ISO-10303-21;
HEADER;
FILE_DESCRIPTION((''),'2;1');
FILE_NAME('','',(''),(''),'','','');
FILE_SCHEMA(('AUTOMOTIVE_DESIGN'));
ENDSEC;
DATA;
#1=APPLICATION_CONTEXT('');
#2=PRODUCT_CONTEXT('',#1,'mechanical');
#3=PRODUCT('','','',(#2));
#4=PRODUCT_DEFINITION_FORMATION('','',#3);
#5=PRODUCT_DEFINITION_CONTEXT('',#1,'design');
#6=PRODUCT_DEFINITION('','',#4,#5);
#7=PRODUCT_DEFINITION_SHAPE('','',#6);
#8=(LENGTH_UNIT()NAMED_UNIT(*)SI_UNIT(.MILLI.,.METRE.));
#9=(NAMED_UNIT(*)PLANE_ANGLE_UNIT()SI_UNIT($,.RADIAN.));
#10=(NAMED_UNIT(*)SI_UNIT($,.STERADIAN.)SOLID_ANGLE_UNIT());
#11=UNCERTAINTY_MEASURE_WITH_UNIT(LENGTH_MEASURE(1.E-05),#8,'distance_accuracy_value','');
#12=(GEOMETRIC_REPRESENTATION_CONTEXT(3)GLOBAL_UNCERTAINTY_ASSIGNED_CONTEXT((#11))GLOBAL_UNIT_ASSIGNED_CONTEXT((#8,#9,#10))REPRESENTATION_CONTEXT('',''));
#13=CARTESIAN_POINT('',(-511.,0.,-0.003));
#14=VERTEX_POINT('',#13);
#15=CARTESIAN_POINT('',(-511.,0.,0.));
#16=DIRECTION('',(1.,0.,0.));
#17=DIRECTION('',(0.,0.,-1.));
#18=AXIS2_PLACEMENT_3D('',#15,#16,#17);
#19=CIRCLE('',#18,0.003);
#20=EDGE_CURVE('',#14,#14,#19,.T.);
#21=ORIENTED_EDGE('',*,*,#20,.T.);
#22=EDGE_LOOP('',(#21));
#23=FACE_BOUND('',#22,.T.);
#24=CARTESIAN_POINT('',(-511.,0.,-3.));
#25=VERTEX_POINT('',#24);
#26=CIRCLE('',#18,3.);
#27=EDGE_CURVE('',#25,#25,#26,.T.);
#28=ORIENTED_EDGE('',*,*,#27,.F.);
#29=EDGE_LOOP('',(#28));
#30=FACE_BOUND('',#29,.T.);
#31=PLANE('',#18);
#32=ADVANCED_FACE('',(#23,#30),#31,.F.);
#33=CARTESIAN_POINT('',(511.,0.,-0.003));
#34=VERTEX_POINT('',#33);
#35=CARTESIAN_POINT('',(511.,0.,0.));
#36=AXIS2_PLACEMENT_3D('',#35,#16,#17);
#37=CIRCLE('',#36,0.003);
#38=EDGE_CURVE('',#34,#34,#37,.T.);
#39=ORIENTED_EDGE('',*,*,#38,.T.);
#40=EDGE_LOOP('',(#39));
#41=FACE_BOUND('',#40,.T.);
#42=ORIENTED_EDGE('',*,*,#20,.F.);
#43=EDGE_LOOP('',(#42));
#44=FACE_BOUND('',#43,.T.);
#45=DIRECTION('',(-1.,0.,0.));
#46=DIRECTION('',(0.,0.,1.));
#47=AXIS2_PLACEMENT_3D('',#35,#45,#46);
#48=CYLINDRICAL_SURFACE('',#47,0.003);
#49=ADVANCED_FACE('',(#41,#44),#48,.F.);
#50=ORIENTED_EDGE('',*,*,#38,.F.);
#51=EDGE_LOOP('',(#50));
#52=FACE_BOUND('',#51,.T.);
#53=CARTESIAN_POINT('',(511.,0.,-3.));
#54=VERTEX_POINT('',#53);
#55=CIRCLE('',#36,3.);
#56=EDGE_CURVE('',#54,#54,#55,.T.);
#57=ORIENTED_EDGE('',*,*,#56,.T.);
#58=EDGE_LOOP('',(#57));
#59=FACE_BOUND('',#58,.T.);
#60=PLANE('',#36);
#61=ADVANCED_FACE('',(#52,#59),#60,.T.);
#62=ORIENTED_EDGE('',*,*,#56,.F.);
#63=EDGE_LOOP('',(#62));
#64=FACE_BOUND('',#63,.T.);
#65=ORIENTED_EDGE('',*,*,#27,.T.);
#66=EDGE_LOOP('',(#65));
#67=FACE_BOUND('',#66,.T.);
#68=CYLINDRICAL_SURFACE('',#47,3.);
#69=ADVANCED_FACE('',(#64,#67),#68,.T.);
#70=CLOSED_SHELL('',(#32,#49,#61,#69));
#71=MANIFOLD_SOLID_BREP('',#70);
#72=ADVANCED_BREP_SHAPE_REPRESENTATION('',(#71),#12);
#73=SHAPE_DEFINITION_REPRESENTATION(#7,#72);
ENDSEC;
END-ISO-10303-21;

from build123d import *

# Parameters (mm, degrees)
SKETCH1_R           = 3
SKETCH1_R_2         = 0.003
BOSS_EXTRUDE1_DEPTH = 511


with BuildPart() as part:
    # Sketch1 → Boss-Extrude1 (new body, symmetric)
    with BuildSketch(Plane(origin=(0, 0, 0), x_dir=(0, 0, -1), z_dir=(1, 0, 0))):
        Circle(SKETCH1_R)
        Circle(SKETCH1_R_2, mode=Mode.SUBTRACT)
    extrude(amount=BOSS_EXTRUDE1_DEPTH, both=True)


solid = part.part
